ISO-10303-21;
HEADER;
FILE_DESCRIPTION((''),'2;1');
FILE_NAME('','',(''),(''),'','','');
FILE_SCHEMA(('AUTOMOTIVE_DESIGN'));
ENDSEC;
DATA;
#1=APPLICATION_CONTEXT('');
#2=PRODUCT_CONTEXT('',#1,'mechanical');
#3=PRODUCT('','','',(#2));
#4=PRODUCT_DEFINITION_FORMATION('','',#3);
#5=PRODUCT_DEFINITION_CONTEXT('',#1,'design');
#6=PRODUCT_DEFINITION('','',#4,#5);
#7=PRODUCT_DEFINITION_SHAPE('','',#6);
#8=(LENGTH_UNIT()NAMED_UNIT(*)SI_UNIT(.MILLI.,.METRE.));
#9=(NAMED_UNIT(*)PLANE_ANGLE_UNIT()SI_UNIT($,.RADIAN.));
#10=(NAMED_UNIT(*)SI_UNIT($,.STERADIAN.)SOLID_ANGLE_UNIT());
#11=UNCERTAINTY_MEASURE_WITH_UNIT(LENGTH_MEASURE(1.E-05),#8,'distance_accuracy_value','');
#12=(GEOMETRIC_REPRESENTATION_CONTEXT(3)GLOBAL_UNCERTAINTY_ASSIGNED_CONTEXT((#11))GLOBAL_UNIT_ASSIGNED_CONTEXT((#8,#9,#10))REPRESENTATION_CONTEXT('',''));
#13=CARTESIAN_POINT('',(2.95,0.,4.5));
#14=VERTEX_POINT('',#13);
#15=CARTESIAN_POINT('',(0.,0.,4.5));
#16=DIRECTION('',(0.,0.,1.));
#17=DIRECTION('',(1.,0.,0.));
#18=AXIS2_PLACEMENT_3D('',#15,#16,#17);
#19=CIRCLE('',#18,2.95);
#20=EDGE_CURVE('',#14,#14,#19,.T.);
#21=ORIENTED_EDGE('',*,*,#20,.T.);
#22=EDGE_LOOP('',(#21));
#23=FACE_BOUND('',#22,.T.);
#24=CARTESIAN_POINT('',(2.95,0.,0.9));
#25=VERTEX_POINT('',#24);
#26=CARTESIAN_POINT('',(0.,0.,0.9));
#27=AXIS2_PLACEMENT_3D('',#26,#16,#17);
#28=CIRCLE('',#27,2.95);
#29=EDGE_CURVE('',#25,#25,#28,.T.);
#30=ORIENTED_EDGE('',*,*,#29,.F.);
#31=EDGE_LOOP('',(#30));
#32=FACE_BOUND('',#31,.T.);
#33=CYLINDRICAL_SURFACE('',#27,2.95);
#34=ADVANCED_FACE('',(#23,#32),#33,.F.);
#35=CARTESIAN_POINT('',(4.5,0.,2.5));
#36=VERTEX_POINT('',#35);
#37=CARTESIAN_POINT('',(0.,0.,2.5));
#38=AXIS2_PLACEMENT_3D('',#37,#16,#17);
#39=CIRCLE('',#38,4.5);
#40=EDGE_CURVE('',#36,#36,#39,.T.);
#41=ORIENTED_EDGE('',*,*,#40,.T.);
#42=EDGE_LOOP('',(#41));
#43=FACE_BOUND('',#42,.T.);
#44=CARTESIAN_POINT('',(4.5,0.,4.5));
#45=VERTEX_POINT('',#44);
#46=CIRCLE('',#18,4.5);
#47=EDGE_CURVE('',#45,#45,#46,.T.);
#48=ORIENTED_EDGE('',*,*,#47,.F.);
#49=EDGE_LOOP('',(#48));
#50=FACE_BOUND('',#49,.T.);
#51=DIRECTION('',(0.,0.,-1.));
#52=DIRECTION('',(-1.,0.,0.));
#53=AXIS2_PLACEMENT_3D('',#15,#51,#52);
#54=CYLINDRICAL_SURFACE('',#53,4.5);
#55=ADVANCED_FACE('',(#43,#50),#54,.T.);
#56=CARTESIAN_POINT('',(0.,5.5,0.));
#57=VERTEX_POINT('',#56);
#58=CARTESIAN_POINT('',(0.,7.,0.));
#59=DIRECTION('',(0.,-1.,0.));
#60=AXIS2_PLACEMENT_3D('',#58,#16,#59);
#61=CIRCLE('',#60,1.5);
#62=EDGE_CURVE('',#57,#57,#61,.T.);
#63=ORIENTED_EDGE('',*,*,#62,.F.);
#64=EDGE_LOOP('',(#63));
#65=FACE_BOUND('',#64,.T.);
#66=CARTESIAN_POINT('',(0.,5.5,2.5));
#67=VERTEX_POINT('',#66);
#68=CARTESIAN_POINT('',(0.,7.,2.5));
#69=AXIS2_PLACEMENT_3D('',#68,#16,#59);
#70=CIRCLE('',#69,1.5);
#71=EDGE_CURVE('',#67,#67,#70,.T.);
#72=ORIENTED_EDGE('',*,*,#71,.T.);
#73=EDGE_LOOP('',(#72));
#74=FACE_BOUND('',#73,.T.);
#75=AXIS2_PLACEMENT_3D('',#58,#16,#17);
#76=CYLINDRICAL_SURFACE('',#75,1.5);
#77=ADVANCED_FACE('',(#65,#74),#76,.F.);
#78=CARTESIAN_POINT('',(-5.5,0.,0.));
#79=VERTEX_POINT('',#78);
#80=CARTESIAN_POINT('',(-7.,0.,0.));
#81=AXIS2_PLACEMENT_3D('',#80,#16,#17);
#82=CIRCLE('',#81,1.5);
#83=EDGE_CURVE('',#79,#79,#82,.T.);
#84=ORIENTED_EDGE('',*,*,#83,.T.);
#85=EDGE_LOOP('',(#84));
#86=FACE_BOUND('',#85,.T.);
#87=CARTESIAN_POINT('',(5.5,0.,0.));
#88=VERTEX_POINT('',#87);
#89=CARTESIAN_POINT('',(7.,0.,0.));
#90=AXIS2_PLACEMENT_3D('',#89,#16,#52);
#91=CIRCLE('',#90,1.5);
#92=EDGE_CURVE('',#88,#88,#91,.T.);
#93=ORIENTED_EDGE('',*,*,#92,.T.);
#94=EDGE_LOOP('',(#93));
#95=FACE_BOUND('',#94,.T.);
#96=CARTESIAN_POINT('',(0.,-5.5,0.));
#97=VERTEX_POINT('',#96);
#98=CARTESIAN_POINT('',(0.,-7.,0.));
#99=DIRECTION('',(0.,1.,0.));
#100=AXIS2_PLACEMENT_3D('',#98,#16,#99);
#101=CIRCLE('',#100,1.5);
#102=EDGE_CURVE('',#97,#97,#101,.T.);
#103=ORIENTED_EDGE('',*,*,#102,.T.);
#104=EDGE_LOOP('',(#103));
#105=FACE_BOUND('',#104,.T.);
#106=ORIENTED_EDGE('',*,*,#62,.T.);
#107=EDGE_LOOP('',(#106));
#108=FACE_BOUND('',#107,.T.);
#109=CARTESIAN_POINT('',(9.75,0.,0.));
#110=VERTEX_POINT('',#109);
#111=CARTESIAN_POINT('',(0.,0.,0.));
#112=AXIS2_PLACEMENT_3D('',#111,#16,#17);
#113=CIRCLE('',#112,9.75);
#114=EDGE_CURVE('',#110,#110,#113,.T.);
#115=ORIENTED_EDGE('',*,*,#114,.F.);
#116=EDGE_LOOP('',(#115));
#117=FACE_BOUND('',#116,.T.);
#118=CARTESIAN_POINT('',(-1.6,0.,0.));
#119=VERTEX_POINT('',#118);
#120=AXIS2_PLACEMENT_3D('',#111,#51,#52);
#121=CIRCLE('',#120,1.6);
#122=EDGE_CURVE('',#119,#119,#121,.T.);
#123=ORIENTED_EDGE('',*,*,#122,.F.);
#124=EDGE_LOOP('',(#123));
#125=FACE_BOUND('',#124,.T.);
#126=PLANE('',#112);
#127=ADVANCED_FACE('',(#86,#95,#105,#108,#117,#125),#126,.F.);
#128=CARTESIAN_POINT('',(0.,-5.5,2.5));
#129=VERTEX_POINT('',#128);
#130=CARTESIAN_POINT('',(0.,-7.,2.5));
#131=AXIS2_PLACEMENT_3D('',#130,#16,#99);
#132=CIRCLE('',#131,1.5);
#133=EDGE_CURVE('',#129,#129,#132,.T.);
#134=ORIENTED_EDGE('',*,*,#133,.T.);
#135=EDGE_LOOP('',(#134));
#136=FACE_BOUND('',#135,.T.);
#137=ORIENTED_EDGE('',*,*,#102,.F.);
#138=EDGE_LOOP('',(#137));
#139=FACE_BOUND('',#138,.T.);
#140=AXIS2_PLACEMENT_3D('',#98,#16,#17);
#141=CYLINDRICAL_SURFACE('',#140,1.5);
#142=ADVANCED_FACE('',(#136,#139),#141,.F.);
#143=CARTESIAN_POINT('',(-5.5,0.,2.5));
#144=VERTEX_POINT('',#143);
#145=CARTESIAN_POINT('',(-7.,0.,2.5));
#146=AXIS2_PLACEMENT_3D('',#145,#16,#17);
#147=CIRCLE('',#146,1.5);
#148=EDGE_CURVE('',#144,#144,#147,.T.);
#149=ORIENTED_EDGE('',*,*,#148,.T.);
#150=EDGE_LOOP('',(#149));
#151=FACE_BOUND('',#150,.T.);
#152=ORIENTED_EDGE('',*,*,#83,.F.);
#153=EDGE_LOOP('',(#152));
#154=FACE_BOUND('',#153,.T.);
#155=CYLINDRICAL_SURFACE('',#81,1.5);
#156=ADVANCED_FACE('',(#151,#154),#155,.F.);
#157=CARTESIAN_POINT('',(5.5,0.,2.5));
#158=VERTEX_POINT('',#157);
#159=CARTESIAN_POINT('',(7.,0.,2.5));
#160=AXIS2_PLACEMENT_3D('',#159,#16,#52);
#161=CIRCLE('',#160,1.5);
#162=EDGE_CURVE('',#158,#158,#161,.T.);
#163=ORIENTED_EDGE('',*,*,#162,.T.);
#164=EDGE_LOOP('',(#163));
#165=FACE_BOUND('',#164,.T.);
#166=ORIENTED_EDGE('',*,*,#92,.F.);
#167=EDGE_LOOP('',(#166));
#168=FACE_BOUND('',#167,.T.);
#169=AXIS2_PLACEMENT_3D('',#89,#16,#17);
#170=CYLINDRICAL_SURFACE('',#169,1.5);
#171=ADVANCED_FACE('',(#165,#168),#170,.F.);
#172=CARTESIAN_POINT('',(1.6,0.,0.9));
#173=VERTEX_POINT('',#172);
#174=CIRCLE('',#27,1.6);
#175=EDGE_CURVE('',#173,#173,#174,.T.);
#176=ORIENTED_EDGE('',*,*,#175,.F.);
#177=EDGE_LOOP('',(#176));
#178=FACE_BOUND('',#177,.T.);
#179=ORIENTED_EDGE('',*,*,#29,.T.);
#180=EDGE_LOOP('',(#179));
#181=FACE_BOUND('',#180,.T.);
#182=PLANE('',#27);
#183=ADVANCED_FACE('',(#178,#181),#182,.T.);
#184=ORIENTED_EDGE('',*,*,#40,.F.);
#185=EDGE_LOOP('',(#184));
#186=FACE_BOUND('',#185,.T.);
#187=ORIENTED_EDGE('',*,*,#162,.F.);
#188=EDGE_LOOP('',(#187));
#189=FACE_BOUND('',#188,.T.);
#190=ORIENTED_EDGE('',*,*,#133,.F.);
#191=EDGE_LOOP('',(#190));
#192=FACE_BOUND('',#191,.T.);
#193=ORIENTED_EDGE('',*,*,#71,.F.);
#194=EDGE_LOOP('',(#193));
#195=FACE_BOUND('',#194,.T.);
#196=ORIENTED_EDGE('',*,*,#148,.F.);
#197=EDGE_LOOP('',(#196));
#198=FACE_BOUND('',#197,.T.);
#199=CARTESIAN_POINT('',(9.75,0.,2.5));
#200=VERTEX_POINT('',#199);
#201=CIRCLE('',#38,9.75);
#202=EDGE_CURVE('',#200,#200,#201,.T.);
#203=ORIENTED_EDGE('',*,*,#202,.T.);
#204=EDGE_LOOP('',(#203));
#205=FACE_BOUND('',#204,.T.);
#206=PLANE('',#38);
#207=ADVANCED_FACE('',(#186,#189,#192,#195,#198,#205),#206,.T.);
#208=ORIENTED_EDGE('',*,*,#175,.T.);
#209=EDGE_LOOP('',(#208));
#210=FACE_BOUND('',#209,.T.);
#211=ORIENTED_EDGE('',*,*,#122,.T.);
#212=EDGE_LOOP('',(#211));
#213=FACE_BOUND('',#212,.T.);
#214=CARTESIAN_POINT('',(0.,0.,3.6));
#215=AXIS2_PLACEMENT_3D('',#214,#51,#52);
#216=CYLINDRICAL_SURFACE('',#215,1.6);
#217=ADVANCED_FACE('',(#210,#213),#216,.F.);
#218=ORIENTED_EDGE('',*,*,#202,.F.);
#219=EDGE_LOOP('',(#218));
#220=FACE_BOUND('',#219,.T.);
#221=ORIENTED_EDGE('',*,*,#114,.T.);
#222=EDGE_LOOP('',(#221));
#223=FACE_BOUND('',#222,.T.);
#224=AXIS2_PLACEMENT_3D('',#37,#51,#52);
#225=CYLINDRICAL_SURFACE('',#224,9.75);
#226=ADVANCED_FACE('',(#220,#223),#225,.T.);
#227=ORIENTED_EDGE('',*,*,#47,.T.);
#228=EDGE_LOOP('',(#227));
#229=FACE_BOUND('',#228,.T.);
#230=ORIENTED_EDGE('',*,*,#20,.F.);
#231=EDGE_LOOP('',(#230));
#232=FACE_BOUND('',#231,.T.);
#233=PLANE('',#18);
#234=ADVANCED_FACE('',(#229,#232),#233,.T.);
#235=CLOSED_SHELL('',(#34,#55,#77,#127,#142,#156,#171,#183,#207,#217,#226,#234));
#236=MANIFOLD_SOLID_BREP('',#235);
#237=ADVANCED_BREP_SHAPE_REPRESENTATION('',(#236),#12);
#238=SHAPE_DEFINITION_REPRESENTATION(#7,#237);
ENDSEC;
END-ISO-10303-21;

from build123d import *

# Parameters (mm, degrees)
SKETCH_1_R               = 9.75
EXTRUDE_1_DEPTH          = 2.5
SKETCH_2_R               = 4.5
EXTRUDE_2_DEPTH          = 2
SKETCH_3_R               = 2.95
CUT_EXTRUDE_1_DEPTH      = 3.6
SKETCH_4_R               = 1.6
CUT_EXTRUDE_2_DEPTH      = 3.6
SKETCH_5_R               = 1.5
CUT_EXTRUDE_3_DEPTH      = 15.013386457
PATTERN_CIRCULAR_1_COUNT = 4


with BuildPart() as part:
    # 草图1 → 凸台-拉伸1 (new body)
    with BuildSketch(Plane.XY):
        Circle(SKETCH_1_R)
    extrude(amount=EXTRUDE_1_DEPTH)

    # 草图2 → 凸台-拉伸2 (add)
    with BuildSketch(Plane.XY.offset(2.5)):
        Circle(SKETCH_2_R)
    extrude(amount=EXTRUDE_2_DEPTH)

    # 草图3 → 切除-拉伸1 (cut)
    with BuildSketch(Plane.XY.offset(4.5)):
        Circle(SKETCH_3_R)
    extrude(amount=-CUT_EXTRUDE_1_DEPTH, mode=Mode.SUBTRACT)

    # 草图4 → 切除-拉伸2 (cut)
    with BuildSketch(Plane(origin=(0, 0, 0), x_dir=(-1, 0, 0), z_dir=(0, 0, -1))):
        Circle(SKETCH_4_R)
    extrude(amount=-CUT_EXTRUDE_2_DEPTH, mode=Mode.SUBTRACT)

    # 草图5 → 切除-拉伸3 (cut, through all)
    with BuildSketch(Plane.XY.offset(2.5)):
        with Locations((-7, 0)):
            Circle(SKETCH_5_R)
    cut_extrude_3 = extrude(amount=-CUT_EXTRUDE_3_DEPTH, mode=Mode.SUBTRACT)

    # 阵列(圆周)1: 切除-拉伸3 ×4 about axis
    pattern_circular_1_axis = Axis((0, 0, 0), (0, 0, 1))
    for i in range(1, PATTERN_CIRCULAR_1_COUNT):
        add(cut_extrude_3.rotate(pattern_circular_1_axis, i * 360 / PATTERN_CIRCULAR_1_COUNT), mode=Mode.SUBTRACT)


solid = part.part
